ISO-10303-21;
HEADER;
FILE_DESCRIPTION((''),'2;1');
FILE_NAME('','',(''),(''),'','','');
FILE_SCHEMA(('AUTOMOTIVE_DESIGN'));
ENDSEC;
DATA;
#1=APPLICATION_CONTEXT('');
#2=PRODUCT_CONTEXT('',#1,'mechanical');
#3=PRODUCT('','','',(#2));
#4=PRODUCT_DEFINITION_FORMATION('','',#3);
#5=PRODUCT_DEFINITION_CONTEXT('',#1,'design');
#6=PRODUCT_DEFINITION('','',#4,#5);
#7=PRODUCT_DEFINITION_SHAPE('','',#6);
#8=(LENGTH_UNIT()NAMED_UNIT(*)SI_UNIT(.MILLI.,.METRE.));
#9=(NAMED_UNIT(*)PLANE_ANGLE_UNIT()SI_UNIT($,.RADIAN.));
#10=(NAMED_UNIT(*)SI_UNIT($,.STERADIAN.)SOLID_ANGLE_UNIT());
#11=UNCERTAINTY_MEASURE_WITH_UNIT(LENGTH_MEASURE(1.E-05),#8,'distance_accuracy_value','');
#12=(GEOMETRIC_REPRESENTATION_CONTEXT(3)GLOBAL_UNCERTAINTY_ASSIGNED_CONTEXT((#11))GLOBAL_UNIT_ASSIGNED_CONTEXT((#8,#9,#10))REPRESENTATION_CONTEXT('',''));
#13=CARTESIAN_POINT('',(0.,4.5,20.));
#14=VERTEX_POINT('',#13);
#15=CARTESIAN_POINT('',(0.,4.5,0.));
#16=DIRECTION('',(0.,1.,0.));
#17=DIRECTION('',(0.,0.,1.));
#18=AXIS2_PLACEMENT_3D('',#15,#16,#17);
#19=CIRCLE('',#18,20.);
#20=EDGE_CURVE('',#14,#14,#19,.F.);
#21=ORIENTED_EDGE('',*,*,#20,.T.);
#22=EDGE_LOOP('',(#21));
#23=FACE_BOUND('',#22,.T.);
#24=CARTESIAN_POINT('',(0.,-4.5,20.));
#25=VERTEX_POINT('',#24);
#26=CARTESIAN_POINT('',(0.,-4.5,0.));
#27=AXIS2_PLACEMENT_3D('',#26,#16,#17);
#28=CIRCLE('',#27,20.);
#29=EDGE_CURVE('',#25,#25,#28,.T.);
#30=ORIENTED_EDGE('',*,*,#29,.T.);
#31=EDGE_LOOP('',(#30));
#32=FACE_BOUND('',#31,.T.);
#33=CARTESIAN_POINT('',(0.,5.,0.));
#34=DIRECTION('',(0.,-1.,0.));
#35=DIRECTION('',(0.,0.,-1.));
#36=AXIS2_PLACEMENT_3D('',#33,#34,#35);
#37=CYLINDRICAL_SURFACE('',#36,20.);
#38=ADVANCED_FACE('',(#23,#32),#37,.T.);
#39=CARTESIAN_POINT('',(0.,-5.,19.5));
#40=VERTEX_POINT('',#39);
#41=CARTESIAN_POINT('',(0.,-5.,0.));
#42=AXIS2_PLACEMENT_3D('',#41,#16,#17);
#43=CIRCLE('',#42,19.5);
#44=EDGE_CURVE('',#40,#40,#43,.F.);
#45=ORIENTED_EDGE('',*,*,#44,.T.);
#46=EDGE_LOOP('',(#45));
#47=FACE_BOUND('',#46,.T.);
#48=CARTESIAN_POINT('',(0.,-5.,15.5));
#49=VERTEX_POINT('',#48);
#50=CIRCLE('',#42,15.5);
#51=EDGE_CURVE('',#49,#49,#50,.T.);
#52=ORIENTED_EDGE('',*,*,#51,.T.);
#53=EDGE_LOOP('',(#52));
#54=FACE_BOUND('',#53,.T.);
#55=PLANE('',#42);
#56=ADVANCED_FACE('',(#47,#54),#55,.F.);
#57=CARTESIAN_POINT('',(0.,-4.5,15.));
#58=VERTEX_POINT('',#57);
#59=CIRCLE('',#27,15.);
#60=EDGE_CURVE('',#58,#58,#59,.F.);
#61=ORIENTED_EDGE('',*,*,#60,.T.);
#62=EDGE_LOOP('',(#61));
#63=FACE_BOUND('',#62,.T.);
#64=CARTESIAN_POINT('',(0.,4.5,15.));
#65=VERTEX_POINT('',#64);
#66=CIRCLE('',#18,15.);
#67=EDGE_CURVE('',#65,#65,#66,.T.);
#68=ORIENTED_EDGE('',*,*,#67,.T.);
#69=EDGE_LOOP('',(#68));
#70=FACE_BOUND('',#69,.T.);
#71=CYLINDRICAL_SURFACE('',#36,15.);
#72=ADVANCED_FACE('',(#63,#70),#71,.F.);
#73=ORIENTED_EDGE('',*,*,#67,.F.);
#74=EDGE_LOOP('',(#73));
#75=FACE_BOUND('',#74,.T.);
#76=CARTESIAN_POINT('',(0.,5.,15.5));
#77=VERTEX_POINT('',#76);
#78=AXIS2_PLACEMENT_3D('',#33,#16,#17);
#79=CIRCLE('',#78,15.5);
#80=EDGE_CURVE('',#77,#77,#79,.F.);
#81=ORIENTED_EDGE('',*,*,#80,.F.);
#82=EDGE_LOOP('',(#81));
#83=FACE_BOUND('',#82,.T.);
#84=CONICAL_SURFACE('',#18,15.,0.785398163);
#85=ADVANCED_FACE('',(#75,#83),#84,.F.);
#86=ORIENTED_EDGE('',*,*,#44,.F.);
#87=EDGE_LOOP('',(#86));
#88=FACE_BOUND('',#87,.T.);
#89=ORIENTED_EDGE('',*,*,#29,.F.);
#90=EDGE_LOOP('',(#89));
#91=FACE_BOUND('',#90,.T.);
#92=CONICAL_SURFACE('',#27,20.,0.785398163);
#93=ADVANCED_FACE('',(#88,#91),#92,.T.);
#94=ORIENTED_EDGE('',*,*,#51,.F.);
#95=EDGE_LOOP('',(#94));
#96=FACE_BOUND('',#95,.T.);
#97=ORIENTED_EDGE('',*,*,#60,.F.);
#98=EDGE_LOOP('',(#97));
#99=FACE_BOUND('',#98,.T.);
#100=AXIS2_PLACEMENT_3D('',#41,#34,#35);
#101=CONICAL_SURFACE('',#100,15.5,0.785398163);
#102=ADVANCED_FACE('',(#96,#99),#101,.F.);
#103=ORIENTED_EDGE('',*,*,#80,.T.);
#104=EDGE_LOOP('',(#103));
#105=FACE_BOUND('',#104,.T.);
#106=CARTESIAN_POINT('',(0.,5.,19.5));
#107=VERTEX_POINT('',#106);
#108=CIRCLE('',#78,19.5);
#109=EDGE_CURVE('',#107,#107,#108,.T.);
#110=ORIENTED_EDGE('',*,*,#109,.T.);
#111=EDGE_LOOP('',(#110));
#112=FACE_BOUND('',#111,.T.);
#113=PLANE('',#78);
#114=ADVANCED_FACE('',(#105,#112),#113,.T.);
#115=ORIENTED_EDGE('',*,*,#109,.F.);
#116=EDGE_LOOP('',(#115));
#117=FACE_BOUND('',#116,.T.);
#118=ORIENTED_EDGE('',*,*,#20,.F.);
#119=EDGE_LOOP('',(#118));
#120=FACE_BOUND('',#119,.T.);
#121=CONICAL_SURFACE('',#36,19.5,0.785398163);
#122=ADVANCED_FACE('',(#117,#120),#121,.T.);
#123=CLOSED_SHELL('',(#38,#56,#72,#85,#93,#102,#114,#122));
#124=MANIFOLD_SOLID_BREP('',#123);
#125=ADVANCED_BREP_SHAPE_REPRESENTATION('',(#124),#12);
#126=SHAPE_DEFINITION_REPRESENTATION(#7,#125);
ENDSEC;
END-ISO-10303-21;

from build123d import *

# Parameters (mm, degrees)
SKETCH1_R           = 20
SKETCH1_R_2         = 15
BOSS_EXTRUDE1_DEPTH = 5
CHAMFER1_SIZE       = 0.5


with BuildPart() as part:
    # Sketch1 → Boss-Extrude1 (new, symmetric)
    with BuildSketch(Plane(origin=(0, 0, 0), x_dir=(1, 0, 0), z_dir=(0, 1, 0))):
        with Locations(Location((0, 0, 0), (0, 0, 270))):
            Circle(SKETCH1_R)
        with Locations(Location((0, 0, 0), (0, 0, 270))):
            Circle(SKETCH1_R_2, mode=Mode.SUBTRACT)
    extrude(amount=BOSS_EXTRUDE1_DEPTH, both=True)

    # Chamfer1
    chamfer1_edges = [part.edges().sort_by_distance(p)[0] for p in [
        (0, -5, -20),
        (0, 5, -20),
        (0, -5, -15),
        (0, 5, -15),
    ]]
    chamfer(chamfer1_edges, length=CHAMFER1_SIZE)


solid = part.part
